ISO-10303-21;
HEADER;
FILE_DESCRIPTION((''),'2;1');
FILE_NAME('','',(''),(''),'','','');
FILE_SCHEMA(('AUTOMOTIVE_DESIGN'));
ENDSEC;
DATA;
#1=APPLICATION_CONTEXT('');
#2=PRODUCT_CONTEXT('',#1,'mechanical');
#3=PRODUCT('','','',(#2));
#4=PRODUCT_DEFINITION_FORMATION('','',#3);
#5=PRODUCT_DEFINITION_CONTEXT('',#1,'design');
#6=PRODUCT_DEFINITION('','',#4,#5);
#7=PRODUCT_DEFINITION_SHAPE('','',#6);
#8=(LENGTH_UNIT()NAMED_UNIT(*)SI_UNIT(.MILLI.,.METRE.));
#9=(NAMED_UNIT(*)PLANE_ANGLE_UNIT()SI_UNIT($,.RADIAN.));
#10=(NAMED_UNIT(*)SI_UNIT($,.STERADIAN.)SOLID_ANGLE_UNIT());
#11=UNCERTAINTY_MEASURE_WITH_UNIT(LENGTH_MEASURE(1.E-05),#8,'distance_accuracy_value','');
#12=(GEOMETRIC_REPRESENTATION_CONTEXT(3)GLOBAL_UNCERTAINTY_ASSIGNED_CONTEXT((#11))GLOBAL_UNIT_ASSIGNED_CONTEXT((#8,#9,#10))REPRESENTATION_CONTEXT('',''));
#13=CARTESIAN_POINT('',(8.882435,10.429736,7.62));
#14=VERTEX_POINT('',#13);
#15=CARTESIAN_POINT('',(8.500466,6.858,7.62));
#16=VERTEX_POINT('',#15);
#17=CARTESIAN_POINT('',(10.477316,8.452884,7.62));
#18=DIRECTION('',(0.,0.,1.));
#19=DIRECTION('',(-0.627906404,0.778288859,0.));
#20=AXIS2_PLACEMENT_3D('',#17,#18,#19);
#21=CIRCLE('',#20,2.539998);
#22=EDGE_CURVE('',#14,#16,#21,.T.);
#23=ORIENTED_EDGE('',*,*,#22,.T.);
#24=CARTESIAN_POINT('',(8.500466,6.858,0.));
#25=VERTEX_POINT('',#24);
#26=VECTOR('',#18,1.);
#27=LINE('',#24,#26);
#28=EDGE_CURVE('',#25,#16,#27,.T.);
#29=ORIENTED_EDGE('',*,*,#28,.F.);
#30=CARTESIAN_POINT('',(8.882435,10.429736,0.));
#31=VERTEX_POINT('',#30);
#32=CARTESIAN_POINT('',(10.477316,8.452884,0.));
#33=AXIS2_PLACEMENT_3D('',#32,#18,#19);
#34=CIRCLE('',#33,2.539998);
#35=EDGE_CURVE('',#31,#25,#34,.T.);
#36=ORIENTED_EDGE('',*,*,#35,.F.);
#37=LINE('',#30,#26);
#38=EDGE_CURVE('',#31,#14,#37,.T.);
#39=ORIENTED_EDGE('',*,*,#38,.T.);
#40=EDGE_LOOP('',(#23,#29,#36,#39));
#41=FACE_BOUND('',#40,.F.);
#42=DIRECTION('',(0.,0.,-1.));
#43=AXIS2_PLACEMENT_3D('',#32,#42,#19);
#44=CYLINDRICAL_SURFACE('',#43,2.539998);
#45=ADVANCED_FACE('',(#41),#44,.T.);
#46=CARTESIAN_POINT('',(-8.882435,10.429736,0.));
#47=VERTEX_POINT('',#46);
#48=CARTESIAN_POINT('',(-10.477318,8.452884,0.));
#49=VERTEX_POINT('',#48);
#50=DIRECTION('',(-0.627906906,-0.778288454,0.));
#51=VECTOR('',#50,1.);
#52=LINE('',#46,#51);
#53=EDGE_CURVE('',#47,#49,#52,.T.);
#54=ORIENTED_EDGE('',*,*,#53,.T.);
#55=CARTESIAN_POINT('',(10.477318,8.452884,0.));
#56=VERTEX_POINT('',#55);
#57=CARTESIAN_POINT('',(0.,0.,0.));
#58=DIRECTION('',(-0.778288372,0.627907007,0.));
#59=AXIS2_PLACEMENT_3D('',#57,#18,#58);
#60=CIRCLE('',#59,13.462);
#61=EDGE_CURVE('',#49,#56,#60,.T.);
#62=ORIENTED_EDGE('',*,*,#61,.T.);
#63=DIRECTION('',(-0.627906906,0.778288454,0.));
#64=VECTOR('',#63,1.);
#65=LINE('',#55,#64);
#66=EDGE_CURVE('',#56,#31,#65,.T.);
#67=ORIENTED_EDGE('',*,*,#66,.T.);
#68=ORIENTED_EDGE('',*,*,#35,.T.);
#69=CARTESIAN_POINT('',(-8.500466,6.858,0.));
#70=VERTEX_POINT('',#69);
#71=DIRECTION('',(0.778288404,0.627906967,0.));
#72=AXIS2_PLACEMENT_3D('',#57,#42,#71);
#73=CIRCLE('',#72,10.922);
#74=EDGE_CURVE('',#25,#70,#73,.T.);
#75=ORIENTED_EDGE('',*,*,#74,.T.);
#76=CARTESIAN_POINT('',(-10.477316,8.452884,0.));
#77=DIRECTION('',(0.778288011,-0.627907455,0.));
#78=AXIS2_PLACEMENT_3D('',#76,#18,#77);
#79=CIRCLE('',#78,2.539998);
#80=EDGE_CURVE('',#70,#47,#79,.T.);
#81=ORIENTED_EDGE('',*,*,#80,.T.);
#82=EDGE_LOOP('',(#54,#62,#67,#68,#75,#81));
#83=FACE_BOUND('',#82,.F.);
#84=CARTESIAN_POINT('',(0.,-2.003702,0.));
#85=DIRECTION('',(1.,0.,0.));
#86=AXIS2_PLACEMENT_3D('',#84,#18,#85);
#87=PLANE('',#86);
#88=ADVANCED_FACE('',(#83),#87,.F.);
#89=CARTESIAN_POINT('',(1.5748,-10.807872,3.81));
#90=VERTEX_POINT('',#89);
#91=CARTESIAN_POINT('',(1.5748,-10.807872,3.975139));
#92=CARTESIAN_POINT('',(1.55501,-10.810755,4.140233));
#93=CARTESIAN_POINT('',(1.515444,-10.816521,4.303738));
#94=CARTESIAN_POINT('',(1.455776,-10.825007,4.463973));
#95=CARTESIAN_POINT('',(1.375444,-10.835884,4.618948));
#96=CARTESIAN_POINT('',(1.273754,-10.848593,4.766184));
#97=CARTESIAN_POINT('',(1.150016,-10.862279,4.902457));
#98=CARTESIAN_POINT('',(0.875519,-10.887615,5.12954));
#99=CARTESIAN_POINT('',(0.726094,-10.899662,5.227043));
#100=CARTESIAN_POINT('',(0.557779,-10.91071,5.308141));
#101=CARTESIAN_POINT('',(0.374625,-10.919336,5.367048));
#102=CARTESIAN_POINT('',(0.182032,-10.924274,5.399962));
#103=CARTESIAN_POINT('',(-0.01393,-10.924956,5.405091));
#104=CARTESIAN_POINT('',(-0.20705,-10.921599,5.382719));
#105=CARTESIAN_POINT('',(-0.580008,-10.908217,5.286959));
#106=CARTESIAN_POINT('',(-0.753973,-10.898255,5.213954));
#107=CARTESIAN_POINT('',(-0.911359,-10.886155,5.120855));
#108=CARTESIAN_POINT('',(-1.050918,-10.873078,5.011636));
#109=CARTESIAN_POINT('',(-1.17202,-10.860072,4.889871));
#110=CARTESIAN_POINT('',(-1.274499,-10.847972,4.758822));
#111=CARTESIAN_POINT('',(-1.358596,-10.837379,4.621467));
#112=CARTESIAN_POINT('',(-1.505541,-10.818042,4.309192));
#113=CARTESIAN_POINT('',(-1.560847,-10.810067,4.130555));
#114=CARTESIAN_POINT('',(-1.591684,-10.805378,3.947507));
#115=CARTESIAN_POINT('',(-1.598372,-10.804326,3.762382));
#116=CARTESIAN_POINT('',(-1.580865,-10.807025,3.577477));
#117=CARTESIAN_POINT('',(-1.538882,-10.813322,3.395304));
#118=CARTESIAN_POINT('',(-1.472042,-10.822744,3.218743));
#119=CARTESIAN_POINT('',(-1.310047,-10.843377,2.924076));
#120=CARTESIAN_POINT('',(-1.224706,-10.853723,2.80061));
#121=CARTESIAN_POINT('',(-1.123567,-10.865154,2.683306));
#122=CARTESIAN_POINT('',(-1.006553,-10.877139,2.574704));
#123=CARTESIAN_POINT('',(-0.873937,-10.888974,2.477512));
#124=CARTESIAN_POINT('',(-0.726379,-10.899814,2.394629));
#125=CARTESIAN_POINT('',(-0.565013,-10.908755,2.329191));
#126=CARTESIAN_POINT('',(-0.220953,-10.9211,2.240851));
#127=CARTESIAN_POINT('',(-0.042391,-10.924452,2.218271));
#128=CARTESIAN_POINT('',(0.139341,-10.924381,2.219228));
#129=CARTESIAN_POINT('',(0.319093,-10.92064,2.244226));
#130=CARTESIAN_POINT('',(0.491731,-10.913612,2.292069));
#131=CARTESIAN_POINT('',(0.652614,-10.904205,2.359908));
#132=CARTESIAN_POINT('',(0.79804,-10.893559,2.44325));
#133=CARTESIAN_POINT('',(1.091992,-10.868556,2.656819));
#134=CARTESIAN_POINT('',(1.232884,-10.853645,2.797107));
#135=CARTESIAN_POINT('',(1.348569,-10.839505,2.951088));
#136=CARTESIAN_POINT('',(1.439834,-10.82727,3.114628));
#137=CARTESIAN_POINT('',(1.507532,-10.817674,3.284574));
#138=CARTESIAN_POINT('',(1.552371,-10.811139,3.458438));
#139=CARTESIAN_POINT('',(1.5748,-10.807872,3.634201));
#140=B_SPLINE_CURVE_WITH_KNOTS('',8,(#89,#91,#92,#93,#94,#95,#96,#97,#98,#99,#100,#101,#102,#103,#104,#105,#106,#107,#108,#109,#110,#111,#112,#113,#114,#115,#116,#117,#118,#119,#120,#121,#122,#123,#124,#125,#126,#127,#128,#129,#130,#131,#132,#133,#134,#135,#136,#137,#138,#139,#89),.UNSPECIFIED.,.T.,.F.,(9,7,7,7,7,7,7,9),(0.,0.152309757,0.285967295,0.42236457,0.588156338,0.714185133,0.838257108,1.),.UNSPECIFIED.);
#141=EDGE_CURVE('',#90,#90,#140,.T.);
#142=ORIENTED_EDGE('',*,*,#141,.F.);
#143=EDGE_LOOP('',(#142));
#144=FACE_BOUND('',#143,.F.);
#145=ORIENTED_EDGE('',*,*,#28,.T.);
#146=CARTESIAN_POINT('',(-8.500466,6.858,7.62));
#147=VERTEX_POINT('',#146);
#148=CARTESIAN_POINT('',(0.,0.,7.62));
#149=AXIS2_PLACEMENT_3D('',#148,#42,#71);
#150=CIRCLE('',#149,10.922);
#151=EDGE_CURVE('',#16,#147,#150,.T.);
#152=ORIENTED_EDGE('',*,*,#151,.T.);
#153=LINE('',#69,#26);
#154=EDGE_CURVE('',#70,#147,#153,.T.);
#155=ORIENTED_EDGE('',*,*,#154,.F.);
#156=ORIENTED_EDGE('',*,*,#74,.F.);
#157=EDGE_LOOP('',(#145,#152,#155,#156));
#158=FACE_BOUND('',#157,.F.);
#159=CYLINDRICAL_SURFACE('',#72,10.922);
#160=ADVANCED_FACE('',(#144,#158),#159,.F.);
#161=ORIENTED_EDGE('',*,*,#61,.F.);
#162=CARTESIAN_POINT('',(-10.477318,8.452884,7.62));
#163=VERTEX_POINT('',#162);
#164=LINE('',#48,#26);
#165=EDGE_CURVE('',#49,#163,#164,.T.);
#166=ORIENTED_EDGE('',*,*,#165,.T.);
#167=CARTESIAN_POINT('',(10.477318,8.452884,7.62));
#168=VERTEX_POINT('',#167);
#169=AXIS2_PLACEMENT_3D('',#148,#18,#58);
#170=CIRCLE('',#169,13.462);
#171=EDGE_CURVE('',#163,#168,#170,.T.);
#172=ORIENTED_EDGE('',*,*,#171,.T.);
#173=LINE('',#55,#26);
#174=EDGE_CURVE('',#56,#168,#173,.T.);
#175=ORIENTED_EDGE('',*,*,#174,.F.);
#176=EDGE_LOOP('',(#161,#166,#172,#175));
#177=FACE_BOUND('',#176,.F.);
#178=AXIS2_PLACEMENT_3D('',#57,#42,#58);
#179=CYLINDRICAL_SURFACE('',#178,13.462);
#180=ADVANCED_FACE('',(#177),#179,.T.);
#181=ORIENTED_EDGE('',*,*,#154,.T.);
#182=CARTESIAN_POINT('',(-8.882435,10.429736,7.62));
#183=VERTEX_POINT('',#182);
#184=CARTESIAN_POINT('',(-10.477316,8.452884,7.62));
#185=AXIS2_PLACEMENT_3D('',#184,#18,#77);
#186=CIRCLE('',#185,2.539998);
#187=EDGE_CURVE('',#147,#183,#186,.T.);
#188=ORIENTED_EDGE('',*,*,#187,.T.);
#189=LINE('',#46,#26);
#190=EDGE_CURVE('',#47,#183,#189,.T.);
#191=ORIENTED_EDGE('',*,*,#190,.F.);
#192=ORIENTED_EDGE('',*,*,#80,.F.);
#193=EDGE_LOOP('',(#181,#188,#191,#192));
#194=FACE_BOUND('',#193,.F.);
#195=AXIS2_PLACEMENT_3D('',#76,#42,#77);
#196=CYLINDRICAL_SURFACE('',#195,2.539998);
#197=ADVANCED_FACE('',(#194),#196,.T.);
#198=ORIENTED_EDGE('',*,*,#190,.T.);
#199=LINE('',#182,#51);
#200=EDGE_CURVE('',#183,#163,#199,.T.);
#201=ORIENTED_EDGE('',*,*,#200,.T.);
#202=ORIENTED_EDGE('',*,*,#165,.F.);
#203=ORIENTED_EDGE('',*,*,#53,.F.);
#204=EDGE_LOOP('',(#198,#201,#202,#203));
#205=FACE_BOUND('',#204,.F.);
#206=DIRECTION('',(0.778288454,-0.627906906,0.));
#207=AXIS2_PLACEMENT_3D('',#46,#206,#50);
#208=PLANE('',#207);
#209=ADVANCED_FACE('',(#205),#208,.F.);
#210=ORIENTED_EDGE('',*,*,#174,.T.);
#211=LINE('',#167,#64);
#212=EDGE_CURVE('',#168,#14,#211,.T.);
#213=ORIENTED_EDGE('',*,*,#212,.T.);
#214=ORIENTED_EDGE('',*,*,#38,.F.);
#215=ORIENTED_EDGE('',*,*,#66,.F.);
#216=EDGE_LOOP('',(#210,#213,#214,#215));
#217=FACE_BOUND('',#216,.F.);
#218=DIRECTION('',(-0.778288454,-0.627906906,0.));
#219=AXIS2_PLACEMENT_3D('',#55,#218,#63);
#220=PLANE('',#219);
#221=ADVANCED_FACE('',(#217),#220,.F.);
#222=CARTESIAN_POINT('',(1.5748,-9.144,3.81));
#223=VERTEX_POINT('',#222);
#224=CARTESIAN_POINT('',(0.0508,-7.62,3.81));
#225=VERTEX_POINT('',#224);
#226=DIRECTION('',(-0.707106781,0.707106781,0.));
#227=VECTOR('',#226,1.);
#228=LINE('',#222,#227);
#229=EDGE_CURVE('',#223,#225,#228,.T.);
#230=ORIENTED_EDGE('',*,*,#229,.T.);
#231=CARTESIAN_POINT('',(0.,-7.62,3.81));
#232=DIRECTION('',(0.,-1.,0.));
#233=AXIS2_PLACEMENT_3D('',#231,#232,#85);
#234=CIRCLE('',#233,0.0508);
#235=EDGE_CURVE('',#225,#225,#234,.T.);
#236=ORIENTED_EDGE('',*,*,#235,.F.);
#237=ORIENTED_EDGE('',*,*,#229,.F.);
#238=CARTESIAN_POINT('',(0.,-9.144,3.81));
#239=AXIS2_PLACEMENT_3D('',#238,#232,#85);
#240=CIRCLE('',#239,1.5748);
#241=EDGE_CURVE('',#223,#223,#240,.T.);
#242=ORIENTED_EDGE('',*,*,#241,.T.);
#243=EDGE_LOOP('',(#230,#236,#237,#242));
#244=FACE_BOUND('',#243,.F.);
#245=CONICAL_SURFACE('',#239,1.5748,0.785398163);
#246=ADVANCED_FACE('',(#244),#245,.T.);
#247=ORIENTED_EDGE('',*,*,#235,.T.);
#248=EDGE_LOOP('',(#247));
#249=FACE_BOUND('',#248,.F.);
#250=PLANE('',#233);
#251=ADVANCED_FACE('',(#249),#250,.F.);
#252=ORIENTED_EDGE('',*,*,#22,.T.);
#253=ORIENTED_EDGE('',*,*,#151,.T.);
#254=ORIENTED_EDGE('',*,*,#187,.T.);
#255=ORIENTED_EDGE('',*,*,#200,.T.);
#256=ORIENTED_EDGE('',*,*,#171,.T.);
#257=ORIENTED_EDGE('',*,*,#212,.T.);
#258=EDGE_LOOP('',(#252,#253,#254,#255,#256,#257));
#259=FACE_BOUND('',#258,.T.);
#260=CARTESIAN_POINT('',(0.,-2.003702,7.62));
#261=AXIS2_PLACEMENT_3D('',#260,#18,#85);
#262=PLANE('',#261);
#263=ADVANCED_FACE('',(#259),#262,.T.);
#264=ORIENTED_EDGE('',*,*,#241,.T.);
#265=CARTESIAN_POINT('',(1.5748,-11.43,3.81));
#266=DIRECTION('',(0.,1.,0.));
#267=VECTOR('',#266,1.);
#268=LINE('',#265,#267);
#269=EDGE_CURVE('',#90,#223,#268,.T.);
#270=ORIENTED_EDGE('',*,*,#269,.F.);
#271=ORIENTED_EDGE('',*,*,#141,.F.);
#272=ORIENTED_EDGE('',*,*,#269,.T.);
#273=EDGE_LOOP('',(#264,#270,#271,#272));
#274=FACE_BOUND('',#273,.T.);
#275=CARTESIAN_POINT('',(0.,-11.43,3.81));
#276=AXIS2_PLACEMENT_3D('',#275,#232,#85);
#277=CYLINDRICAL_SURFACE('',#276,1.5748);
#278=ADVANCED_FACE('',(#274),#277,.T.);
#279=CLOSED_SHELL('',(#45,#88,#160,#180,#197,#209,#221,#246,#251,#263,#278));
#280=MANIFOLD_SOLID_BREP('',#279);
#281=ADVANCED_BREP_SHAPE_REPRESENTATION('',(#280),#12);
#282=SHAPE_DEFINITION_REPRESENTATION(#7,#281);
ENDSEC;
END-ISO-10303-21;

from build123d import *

# Parameters (mm, degrees)
F1_DEPTH = 7.62
F3_R     = 1.5748
F4_DEPTH = 3.81
F5_SIZE  = 1.524


with BuildPart() as f1:
    # F0 (on Top) → F1 (new body)
    with BuildSketch(Plane.XY):
        with BuildLine():
            ThreePointArc((8.500466, 6.858), (0, -10.922), (-8.500466, 6.858))
            ThreePointArc((-8.500466, 6.858), (-7.951719, 8.722976), (-8.882435, 10.429736))
            Line((-8.882435, 10.429736), (-10.477318, 8.452884))
            ThreePointArc((-10.477318, 8.452884), (0, -13.462), (10.477318, 8.452884))
            Line((10.477318, 8.452884), (8.882435, 10.429736))
            ThreePointArc((8.882435, 10.429736), (7.951719, 8.722976), (8.500466, 6.858))
        make_face()
    extrude(amount=F1_DEPTH)

    # F3 (on offset) → F4 (join)
    with BuildSketch(Plane.XZ.offset(11.43)):
        with Locations((0, 3.81)):
            Circle(F3_R)
    extrude(amount=-F4_DEPTH)

    # F5
    f5_edges = [f1.edges().sort_by_distance(p)[0] for p in [
        (-1.5748, -7.62, 3.81),
    ]]
    chamfer(f5_edges, length=F5_SIZE)


solid = f1.part
